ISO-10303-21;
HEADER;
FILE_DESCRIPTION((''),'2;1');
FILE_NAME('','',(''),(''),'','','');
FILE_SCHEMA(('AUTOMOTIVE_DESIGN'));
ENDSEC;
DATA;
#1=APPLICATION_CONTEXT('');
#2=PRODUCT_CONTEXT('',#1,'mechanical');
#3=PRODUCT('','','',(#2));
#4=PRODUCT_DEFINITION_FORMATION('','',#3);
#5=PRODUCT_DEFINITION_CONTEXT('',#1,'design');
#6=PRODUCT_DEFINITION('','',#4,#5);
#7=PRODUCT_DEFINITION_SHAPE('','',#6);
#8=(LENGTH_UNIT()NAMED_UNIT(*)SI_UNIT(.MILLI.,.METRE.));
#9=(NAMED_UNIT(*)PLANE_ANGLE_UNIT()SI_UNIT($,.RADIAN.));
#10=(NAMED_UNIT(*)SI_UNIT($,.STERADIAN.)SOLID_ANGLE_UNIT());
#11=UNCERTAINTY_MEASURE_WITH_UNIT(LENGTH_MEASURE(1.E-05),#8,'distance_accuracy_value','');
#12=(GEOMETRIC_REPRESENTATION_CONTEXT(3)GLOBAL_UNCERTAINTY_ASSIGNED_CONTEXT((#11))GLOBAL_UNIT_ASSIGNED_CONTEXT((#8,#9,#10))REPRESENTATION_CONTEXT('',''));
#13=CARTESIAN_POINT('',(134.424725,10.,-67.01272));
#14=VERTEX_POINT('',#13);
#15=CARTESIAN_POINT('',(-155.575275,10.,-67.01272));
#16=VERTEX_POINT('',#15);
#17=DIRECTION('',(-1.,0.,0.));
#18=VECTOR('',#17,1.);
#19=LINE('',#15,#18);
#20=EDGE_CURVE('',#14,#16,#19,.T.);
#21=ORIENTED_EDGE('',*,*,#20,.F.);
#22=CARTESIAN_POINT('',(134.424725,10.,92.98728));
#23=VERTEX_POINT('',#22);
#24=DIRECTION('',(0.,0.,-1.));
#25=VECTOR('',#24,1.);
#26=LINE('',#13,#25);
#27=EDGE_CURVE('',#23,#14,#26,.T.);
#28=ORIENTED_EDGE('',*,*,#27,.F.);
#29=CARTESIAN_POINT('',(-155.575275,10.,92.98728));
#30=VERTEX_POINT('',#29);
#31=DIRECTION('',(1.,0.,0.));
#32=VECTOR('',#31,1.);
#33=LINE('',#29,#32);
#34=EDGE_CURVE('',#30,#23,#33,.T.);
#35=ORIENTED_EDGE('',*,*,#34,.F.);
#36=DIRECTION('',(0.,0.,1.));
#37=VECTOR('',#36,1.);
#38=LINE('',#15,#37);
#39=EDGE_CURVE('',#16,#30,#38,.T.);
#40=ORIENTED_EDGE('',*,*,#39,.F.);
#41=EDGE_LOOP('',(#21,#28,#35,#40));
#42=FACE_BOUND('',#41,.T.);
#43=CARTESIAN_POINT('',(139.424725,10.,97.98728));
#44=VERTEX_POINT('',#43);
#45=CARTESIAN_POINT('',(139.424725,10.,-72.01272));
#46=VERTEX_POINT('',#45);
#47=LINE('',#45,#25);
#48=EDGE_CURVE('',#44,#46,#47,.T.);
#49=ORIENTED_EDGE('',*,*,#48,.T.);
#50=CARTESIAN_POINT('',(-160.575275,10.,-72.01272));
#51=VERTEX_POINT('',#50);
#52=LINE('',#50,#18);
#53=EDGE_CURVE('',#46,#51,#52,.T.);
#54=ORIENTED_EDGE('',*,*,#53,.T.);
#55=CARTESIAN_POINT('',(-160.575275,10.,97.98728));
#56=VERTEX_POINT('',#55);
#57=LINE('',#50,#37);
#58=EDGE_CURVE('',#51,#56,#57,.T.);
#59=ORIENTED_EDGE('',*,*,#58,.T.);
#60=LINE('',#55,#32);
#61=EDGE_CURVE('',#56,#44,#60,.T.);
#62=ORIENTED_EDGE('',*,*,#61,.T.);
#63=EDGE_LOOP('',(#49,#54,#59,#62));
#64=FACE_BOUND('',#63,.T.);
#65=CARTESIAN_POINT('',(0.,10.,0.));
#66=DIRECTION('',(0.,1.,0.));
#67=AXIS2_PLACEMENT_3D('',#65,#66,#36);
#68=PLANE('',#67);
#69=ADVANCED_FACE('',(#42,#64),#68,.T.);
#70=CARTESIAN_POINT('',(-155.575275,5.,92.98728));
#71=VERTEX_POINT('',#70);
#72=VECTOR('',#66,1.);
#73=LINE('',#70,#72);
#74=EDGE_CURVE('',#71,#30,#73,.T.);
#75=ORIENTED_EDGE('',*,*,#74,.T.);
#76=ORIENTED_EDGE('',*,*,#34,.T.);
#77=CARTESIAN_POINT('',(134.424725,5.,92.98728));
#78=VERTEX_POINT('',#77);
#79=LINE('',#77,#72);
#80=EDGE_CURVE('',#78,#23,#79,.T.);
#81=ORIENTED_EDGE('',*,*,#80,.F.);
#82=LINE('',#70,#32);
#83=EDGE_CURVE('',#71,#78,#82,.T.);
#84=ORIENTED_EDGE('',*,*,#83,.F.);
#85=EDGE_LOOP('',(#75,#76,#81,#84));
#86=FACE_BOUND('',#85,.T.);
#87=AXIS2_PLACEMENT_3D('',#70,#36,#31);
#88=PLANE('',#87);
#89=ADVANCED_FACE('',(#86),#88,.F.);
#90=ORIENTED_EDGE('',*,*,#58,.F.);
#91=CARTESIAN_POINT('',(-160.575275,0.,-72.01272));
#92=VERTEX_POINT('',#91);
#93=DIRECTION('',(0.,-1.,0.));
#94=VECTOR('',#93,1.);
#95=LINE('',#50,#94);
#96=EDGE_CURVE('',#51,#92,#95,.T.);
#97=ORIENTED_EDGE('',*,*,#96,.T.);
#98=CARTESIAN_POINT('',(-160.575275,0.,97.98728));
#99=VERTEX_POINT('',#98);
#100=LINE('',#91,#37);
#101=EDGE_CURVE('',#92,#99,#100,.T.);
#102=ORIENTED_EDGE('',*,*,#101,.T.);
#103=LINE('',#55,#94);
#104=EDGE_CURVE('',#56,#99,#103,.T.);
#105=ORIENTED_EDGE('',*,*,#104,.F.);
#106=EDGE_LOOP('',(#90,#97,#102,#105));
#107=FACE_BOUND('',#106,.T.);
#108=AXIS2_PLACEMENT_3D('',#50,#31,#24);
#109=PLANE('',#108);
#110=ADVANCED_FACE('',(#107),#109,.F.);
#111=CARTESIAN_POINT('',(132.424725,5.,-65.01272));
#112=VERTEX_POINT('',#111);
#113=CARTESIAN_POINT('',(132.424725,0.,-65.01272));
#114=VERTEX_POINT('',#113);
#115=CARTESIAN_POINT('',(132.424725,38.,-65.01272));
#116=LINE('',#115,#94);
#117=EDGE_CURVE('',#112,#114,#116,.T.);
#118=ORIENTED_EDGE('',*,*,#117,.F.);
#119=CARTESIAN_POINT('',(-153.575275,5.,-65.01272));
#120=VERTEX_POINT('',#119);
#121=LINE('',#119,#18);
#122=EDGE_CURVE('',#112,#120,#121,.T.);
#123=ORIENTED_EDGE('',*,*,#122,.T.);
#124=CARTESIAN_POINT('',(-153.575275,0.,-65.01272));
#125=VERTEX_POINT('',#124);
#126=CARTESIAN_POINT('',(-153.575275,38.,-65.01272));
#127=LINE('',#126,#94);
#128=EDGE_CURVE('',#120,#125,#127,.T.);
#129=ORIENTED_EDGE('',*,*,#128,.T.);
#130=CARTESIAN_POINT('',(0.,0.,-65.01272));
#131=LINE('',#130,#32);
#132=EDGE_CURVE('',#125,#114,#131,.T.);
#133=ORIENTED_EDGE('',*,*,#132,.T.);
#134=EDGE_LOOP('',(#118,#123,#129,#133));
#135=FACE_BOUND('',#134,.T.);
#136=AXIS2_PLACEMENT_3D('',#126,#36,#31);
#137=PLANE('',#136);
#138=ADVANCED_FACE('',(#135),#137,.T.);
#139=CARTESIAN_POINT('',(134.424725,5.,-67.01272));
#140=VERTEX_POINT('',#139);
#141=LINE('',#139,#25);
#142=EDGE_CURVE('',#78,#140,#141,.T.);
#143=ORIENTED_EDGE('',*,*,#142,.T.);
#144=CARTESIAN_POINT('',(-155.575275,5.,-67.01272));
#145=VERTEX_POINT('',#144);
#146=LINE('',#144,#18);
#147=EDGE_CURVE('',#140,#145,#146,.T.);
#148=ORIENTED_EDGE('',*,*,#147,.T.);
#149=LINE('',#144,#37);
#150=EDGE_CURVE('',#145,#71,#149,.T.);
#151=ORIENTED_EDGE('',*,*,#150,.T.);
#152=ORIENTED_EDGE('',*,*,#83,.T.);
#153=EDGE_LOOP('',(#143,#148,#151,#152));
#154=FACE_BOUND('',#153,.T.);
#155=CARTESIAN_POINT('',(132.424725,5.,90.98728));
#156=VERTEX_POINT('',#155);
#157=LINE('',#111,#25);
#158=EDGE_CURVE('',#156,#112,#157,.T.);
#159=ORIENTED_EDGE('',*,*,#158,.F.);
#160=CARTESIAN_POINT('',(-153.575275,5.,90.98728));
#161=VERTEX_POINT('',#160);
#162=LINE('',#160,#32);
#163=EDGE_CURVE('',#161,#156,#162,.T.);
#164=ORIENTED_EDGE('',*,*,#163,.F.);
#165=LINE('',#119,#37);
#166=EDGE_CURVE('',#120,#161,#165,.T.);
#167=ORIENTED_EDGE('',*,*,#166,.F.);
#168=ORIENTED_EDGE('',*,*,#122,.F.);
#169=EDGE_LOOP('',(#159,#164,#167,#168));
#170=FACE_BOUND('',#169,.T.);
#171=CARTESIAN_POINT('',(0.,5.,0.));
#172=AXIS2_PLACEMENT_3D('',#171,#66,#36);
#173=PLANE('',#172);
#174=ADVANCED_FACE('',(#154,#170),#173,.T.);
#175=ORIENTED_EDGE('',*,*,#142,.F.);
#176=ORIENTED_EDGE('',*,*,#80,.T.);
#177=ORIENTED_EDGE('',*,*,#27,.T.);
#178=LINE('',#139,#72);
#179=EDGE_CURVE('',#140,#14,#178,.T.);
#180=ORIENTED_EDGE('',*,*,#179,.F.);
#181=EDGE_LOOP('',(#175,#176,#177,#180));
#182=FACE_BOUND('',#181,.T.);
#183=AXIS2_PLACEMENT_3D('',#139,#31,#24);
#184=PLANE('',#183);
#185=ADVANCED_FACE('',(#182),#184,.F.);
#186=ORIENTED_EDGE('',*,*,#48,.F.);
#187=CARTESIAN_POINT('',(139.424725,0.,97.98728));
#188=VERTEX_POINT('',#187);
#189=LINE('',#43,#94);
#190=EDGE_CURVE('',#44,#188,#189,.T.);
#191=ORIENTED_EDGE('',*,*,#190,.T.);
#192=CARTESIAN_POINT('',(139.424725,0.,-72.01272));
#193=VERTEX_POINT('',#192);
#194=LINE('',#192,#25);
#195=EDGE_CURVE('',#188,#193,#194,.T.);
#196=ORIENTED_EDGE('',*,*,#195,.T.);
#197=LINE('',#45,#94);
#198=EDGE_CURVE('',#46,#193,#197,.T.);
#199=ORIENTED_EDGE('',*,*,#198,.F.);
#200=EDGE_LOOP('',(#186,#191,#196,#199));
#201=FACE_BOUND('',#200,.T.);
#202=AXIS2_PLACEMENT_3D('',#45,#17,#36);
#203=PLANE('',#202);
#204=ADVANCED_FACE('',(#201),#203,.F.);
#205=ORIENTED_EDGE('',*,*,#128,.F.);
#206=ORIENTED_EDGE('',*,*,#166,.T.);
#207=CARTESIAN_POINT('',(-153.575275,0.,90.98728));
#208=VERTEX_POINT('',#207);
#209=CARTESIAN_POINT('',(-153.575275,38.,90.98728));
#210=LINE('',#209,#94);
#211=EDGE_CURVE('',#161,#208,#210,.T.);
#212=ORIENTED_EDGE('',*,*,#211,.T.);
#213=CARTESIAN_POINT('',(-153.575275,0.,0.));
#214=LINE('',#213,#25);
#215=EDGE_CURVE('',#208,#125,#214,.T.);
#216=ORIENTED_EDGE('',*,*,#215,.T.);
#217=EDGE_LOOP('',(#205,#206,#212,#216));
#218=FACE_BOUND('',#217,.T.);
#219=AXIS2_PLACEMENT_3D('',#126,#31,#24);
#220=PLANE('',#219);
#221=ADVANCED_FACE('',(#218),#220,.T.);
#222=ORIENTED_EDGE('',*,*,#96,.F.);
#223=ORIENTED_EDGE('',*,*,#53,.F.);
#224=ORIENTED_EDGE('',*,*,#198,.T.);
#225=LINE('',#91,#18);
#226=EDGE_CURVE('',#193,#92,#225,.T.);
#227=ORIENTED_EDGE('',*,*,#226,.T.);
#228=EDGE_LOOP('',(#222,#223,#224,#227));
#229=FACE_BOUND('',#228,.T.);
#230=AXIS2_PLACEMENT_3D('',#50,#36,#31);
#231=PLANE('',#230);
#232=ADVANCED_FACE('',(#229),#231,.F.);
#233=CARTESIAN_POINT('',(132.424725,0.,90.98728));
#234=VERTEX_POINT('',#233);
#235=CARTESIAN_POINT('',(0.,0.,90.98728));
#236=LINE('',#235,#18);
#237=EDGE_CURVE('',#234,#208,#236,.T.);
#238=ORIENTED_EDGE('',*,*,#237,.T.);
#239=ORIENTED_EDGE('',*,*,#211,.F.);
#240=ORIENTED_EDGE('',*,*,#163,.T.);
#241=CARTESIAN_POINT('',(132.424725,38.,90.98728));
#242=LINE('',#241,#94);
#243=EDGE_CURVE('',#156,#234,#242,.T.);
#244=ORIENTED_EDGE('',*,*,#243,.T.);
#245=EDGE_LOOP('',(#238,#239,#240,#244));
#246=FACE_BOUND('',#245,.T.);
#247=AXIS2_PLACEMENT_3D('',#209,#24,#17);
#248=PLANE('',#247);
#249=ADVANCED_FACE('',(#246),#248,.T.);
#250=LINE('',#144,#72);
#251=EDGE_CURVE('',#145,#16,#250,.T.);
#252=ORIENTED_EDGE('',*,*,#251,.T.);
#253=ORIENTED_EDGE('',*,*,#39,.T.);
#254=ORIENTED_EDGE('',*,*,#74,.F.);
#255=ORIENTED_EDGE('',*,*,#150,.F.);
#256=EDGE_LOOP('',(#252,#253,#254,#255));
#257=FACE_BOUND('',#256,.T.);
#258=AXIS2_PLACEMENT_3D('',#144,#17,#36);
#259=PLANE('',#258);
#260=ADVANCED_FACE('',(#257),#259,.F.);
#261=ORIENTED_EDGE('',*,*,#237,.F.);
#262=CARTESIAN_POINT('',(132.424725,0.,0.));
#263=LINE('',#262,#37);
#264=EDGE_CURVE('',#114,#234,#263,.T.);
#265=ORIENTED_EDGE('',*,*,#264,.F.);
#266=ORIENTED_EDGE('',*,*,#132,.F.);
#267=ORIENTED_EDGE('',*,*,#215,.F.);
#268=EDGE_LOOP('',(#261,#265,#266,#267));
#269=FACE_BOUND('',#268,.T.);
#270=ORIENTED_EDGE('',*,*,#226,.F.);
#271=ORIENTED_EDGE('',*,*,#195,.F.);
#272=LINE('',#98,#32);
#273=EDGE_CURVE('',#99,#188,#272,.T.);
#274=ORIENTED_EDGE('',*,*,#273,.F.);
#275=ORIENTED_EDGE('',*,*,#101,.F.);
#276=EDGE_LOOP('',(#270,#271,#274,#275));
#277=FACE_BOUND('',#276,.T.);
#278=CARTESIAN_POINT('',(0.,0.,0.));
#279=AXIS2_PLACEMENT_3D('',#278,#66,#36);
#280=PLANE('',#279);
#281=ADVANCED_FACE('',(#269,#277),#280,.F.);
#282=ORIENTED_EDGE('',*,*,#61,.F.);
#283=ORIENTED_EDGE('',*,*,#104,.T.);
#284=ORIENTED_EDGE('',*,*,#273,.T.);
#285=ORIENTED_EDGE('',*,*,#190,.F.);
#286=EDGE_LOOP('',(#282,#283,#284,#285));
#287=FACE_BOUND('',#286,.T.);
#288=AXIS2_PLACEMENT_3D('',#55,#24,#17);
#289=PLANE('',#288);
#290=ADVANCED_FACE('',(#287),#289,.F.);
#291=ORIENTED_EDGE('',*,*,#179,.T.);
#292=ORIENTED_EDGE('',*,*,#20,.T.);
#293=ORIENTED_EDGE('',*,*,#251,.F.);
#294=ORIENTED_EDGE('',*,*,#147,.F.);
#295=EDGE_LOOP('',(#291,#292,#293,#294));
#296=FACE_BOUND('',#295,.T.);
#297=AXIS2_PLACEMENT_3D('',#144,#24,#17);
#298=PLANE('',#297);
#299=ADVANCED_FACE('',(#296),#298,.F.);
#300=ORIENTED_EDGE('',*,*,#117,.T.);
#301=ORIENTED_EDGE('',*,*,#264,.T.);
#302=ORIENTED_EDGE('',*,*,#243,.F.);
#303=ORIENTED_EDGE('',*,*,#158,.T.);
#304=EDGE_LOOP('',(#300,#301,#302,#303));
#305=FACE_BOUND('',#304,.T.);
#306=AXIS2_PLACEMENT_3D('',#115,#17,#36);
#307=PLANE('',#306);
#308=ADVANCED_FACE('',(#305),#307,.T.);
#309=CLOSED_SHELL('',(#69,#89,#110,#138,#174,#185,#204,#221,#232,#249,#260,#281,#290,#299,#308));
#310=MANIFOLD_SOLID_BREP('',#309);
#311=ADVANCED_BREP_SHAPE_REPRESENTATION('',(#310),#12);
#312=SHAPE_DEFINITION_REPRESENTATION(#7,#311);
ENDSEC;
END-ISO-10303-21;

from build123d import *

# Parameters (mm, degrees)
SKETCH1_W               = 300
SKETCH1_H               = 170
BOSS_EXTRUDE1_DEPTH     = 10
SKETCH2_W               = 290
SKETCH2_H               = 160
SKETCH2_W_2             = 286
SKETCH2_H_2             = 156
CUT_EXTRUDE1_DEPTH      = 5
SKETCH5_W               = 286
SKETCH5_H               = 156
CUT_EXTRUDE2_DEPTH      = 28
CUT_EXTRUDE2_DEPTH_BACK = 40


with BuildPart() as part:
    # Sketch1 → Boss-Extrude1 (new body)
    with BuildSketch(Plane(origin=(0, 0, 0), x_dir=(1, 0, 0), z_dir=(0, 1, 0))):
        with Locations((-10.575275385, -12.987279515)):
            Rectangle(SKETCH1_W, SKETCH1_H)
    extrude(amount=BOSS_EXTRUDE1_DEPTH)

    # Sketch2 → Cut-Extrude1 (cut)
    with BuildSketch(Plane(origin=(0, 10, 0), x_dir=(1, 0, 0), z_dir=(0, 1, 0))):
        with Locations((-10.575275385, -12.987279515)):
            Rectangle(SKETCH2_W, SKETCH2_H)
        with Locations((-10.575275385, -12.987279515)):
            Rectangle(SKETCH2_W_2, SKETCH2_H_2, mode=Mode.SUBTRACT)
    extrude(amount=-CUT_EXTRUDE1_DEPTH, mode=Mode.SUBTRACT)

    # Sketch5 → Cut-Extrude2 (cut, two sides)
    with BuildSketch(Plane(origin=(0, 10, 0), x_dir=(1, 0, 0), z_dir=(0, 1, 0))) as cut_extrude2_sk:
        with Locations((-10.575275385, -12.987279515)):
            Rectangle(SKETCH5_W, SKETCH5_H)
    extrude(amount=CUT_EXTRUDE2_DEPTH, mode=Mode.SUBTRACT)
    extrude(cut_extrude2_sk.sketch, amount=-CUT_EXTRUDE2_DEPTH_BACK, mode=Mode.SUBTRACT)


solid = part.part
